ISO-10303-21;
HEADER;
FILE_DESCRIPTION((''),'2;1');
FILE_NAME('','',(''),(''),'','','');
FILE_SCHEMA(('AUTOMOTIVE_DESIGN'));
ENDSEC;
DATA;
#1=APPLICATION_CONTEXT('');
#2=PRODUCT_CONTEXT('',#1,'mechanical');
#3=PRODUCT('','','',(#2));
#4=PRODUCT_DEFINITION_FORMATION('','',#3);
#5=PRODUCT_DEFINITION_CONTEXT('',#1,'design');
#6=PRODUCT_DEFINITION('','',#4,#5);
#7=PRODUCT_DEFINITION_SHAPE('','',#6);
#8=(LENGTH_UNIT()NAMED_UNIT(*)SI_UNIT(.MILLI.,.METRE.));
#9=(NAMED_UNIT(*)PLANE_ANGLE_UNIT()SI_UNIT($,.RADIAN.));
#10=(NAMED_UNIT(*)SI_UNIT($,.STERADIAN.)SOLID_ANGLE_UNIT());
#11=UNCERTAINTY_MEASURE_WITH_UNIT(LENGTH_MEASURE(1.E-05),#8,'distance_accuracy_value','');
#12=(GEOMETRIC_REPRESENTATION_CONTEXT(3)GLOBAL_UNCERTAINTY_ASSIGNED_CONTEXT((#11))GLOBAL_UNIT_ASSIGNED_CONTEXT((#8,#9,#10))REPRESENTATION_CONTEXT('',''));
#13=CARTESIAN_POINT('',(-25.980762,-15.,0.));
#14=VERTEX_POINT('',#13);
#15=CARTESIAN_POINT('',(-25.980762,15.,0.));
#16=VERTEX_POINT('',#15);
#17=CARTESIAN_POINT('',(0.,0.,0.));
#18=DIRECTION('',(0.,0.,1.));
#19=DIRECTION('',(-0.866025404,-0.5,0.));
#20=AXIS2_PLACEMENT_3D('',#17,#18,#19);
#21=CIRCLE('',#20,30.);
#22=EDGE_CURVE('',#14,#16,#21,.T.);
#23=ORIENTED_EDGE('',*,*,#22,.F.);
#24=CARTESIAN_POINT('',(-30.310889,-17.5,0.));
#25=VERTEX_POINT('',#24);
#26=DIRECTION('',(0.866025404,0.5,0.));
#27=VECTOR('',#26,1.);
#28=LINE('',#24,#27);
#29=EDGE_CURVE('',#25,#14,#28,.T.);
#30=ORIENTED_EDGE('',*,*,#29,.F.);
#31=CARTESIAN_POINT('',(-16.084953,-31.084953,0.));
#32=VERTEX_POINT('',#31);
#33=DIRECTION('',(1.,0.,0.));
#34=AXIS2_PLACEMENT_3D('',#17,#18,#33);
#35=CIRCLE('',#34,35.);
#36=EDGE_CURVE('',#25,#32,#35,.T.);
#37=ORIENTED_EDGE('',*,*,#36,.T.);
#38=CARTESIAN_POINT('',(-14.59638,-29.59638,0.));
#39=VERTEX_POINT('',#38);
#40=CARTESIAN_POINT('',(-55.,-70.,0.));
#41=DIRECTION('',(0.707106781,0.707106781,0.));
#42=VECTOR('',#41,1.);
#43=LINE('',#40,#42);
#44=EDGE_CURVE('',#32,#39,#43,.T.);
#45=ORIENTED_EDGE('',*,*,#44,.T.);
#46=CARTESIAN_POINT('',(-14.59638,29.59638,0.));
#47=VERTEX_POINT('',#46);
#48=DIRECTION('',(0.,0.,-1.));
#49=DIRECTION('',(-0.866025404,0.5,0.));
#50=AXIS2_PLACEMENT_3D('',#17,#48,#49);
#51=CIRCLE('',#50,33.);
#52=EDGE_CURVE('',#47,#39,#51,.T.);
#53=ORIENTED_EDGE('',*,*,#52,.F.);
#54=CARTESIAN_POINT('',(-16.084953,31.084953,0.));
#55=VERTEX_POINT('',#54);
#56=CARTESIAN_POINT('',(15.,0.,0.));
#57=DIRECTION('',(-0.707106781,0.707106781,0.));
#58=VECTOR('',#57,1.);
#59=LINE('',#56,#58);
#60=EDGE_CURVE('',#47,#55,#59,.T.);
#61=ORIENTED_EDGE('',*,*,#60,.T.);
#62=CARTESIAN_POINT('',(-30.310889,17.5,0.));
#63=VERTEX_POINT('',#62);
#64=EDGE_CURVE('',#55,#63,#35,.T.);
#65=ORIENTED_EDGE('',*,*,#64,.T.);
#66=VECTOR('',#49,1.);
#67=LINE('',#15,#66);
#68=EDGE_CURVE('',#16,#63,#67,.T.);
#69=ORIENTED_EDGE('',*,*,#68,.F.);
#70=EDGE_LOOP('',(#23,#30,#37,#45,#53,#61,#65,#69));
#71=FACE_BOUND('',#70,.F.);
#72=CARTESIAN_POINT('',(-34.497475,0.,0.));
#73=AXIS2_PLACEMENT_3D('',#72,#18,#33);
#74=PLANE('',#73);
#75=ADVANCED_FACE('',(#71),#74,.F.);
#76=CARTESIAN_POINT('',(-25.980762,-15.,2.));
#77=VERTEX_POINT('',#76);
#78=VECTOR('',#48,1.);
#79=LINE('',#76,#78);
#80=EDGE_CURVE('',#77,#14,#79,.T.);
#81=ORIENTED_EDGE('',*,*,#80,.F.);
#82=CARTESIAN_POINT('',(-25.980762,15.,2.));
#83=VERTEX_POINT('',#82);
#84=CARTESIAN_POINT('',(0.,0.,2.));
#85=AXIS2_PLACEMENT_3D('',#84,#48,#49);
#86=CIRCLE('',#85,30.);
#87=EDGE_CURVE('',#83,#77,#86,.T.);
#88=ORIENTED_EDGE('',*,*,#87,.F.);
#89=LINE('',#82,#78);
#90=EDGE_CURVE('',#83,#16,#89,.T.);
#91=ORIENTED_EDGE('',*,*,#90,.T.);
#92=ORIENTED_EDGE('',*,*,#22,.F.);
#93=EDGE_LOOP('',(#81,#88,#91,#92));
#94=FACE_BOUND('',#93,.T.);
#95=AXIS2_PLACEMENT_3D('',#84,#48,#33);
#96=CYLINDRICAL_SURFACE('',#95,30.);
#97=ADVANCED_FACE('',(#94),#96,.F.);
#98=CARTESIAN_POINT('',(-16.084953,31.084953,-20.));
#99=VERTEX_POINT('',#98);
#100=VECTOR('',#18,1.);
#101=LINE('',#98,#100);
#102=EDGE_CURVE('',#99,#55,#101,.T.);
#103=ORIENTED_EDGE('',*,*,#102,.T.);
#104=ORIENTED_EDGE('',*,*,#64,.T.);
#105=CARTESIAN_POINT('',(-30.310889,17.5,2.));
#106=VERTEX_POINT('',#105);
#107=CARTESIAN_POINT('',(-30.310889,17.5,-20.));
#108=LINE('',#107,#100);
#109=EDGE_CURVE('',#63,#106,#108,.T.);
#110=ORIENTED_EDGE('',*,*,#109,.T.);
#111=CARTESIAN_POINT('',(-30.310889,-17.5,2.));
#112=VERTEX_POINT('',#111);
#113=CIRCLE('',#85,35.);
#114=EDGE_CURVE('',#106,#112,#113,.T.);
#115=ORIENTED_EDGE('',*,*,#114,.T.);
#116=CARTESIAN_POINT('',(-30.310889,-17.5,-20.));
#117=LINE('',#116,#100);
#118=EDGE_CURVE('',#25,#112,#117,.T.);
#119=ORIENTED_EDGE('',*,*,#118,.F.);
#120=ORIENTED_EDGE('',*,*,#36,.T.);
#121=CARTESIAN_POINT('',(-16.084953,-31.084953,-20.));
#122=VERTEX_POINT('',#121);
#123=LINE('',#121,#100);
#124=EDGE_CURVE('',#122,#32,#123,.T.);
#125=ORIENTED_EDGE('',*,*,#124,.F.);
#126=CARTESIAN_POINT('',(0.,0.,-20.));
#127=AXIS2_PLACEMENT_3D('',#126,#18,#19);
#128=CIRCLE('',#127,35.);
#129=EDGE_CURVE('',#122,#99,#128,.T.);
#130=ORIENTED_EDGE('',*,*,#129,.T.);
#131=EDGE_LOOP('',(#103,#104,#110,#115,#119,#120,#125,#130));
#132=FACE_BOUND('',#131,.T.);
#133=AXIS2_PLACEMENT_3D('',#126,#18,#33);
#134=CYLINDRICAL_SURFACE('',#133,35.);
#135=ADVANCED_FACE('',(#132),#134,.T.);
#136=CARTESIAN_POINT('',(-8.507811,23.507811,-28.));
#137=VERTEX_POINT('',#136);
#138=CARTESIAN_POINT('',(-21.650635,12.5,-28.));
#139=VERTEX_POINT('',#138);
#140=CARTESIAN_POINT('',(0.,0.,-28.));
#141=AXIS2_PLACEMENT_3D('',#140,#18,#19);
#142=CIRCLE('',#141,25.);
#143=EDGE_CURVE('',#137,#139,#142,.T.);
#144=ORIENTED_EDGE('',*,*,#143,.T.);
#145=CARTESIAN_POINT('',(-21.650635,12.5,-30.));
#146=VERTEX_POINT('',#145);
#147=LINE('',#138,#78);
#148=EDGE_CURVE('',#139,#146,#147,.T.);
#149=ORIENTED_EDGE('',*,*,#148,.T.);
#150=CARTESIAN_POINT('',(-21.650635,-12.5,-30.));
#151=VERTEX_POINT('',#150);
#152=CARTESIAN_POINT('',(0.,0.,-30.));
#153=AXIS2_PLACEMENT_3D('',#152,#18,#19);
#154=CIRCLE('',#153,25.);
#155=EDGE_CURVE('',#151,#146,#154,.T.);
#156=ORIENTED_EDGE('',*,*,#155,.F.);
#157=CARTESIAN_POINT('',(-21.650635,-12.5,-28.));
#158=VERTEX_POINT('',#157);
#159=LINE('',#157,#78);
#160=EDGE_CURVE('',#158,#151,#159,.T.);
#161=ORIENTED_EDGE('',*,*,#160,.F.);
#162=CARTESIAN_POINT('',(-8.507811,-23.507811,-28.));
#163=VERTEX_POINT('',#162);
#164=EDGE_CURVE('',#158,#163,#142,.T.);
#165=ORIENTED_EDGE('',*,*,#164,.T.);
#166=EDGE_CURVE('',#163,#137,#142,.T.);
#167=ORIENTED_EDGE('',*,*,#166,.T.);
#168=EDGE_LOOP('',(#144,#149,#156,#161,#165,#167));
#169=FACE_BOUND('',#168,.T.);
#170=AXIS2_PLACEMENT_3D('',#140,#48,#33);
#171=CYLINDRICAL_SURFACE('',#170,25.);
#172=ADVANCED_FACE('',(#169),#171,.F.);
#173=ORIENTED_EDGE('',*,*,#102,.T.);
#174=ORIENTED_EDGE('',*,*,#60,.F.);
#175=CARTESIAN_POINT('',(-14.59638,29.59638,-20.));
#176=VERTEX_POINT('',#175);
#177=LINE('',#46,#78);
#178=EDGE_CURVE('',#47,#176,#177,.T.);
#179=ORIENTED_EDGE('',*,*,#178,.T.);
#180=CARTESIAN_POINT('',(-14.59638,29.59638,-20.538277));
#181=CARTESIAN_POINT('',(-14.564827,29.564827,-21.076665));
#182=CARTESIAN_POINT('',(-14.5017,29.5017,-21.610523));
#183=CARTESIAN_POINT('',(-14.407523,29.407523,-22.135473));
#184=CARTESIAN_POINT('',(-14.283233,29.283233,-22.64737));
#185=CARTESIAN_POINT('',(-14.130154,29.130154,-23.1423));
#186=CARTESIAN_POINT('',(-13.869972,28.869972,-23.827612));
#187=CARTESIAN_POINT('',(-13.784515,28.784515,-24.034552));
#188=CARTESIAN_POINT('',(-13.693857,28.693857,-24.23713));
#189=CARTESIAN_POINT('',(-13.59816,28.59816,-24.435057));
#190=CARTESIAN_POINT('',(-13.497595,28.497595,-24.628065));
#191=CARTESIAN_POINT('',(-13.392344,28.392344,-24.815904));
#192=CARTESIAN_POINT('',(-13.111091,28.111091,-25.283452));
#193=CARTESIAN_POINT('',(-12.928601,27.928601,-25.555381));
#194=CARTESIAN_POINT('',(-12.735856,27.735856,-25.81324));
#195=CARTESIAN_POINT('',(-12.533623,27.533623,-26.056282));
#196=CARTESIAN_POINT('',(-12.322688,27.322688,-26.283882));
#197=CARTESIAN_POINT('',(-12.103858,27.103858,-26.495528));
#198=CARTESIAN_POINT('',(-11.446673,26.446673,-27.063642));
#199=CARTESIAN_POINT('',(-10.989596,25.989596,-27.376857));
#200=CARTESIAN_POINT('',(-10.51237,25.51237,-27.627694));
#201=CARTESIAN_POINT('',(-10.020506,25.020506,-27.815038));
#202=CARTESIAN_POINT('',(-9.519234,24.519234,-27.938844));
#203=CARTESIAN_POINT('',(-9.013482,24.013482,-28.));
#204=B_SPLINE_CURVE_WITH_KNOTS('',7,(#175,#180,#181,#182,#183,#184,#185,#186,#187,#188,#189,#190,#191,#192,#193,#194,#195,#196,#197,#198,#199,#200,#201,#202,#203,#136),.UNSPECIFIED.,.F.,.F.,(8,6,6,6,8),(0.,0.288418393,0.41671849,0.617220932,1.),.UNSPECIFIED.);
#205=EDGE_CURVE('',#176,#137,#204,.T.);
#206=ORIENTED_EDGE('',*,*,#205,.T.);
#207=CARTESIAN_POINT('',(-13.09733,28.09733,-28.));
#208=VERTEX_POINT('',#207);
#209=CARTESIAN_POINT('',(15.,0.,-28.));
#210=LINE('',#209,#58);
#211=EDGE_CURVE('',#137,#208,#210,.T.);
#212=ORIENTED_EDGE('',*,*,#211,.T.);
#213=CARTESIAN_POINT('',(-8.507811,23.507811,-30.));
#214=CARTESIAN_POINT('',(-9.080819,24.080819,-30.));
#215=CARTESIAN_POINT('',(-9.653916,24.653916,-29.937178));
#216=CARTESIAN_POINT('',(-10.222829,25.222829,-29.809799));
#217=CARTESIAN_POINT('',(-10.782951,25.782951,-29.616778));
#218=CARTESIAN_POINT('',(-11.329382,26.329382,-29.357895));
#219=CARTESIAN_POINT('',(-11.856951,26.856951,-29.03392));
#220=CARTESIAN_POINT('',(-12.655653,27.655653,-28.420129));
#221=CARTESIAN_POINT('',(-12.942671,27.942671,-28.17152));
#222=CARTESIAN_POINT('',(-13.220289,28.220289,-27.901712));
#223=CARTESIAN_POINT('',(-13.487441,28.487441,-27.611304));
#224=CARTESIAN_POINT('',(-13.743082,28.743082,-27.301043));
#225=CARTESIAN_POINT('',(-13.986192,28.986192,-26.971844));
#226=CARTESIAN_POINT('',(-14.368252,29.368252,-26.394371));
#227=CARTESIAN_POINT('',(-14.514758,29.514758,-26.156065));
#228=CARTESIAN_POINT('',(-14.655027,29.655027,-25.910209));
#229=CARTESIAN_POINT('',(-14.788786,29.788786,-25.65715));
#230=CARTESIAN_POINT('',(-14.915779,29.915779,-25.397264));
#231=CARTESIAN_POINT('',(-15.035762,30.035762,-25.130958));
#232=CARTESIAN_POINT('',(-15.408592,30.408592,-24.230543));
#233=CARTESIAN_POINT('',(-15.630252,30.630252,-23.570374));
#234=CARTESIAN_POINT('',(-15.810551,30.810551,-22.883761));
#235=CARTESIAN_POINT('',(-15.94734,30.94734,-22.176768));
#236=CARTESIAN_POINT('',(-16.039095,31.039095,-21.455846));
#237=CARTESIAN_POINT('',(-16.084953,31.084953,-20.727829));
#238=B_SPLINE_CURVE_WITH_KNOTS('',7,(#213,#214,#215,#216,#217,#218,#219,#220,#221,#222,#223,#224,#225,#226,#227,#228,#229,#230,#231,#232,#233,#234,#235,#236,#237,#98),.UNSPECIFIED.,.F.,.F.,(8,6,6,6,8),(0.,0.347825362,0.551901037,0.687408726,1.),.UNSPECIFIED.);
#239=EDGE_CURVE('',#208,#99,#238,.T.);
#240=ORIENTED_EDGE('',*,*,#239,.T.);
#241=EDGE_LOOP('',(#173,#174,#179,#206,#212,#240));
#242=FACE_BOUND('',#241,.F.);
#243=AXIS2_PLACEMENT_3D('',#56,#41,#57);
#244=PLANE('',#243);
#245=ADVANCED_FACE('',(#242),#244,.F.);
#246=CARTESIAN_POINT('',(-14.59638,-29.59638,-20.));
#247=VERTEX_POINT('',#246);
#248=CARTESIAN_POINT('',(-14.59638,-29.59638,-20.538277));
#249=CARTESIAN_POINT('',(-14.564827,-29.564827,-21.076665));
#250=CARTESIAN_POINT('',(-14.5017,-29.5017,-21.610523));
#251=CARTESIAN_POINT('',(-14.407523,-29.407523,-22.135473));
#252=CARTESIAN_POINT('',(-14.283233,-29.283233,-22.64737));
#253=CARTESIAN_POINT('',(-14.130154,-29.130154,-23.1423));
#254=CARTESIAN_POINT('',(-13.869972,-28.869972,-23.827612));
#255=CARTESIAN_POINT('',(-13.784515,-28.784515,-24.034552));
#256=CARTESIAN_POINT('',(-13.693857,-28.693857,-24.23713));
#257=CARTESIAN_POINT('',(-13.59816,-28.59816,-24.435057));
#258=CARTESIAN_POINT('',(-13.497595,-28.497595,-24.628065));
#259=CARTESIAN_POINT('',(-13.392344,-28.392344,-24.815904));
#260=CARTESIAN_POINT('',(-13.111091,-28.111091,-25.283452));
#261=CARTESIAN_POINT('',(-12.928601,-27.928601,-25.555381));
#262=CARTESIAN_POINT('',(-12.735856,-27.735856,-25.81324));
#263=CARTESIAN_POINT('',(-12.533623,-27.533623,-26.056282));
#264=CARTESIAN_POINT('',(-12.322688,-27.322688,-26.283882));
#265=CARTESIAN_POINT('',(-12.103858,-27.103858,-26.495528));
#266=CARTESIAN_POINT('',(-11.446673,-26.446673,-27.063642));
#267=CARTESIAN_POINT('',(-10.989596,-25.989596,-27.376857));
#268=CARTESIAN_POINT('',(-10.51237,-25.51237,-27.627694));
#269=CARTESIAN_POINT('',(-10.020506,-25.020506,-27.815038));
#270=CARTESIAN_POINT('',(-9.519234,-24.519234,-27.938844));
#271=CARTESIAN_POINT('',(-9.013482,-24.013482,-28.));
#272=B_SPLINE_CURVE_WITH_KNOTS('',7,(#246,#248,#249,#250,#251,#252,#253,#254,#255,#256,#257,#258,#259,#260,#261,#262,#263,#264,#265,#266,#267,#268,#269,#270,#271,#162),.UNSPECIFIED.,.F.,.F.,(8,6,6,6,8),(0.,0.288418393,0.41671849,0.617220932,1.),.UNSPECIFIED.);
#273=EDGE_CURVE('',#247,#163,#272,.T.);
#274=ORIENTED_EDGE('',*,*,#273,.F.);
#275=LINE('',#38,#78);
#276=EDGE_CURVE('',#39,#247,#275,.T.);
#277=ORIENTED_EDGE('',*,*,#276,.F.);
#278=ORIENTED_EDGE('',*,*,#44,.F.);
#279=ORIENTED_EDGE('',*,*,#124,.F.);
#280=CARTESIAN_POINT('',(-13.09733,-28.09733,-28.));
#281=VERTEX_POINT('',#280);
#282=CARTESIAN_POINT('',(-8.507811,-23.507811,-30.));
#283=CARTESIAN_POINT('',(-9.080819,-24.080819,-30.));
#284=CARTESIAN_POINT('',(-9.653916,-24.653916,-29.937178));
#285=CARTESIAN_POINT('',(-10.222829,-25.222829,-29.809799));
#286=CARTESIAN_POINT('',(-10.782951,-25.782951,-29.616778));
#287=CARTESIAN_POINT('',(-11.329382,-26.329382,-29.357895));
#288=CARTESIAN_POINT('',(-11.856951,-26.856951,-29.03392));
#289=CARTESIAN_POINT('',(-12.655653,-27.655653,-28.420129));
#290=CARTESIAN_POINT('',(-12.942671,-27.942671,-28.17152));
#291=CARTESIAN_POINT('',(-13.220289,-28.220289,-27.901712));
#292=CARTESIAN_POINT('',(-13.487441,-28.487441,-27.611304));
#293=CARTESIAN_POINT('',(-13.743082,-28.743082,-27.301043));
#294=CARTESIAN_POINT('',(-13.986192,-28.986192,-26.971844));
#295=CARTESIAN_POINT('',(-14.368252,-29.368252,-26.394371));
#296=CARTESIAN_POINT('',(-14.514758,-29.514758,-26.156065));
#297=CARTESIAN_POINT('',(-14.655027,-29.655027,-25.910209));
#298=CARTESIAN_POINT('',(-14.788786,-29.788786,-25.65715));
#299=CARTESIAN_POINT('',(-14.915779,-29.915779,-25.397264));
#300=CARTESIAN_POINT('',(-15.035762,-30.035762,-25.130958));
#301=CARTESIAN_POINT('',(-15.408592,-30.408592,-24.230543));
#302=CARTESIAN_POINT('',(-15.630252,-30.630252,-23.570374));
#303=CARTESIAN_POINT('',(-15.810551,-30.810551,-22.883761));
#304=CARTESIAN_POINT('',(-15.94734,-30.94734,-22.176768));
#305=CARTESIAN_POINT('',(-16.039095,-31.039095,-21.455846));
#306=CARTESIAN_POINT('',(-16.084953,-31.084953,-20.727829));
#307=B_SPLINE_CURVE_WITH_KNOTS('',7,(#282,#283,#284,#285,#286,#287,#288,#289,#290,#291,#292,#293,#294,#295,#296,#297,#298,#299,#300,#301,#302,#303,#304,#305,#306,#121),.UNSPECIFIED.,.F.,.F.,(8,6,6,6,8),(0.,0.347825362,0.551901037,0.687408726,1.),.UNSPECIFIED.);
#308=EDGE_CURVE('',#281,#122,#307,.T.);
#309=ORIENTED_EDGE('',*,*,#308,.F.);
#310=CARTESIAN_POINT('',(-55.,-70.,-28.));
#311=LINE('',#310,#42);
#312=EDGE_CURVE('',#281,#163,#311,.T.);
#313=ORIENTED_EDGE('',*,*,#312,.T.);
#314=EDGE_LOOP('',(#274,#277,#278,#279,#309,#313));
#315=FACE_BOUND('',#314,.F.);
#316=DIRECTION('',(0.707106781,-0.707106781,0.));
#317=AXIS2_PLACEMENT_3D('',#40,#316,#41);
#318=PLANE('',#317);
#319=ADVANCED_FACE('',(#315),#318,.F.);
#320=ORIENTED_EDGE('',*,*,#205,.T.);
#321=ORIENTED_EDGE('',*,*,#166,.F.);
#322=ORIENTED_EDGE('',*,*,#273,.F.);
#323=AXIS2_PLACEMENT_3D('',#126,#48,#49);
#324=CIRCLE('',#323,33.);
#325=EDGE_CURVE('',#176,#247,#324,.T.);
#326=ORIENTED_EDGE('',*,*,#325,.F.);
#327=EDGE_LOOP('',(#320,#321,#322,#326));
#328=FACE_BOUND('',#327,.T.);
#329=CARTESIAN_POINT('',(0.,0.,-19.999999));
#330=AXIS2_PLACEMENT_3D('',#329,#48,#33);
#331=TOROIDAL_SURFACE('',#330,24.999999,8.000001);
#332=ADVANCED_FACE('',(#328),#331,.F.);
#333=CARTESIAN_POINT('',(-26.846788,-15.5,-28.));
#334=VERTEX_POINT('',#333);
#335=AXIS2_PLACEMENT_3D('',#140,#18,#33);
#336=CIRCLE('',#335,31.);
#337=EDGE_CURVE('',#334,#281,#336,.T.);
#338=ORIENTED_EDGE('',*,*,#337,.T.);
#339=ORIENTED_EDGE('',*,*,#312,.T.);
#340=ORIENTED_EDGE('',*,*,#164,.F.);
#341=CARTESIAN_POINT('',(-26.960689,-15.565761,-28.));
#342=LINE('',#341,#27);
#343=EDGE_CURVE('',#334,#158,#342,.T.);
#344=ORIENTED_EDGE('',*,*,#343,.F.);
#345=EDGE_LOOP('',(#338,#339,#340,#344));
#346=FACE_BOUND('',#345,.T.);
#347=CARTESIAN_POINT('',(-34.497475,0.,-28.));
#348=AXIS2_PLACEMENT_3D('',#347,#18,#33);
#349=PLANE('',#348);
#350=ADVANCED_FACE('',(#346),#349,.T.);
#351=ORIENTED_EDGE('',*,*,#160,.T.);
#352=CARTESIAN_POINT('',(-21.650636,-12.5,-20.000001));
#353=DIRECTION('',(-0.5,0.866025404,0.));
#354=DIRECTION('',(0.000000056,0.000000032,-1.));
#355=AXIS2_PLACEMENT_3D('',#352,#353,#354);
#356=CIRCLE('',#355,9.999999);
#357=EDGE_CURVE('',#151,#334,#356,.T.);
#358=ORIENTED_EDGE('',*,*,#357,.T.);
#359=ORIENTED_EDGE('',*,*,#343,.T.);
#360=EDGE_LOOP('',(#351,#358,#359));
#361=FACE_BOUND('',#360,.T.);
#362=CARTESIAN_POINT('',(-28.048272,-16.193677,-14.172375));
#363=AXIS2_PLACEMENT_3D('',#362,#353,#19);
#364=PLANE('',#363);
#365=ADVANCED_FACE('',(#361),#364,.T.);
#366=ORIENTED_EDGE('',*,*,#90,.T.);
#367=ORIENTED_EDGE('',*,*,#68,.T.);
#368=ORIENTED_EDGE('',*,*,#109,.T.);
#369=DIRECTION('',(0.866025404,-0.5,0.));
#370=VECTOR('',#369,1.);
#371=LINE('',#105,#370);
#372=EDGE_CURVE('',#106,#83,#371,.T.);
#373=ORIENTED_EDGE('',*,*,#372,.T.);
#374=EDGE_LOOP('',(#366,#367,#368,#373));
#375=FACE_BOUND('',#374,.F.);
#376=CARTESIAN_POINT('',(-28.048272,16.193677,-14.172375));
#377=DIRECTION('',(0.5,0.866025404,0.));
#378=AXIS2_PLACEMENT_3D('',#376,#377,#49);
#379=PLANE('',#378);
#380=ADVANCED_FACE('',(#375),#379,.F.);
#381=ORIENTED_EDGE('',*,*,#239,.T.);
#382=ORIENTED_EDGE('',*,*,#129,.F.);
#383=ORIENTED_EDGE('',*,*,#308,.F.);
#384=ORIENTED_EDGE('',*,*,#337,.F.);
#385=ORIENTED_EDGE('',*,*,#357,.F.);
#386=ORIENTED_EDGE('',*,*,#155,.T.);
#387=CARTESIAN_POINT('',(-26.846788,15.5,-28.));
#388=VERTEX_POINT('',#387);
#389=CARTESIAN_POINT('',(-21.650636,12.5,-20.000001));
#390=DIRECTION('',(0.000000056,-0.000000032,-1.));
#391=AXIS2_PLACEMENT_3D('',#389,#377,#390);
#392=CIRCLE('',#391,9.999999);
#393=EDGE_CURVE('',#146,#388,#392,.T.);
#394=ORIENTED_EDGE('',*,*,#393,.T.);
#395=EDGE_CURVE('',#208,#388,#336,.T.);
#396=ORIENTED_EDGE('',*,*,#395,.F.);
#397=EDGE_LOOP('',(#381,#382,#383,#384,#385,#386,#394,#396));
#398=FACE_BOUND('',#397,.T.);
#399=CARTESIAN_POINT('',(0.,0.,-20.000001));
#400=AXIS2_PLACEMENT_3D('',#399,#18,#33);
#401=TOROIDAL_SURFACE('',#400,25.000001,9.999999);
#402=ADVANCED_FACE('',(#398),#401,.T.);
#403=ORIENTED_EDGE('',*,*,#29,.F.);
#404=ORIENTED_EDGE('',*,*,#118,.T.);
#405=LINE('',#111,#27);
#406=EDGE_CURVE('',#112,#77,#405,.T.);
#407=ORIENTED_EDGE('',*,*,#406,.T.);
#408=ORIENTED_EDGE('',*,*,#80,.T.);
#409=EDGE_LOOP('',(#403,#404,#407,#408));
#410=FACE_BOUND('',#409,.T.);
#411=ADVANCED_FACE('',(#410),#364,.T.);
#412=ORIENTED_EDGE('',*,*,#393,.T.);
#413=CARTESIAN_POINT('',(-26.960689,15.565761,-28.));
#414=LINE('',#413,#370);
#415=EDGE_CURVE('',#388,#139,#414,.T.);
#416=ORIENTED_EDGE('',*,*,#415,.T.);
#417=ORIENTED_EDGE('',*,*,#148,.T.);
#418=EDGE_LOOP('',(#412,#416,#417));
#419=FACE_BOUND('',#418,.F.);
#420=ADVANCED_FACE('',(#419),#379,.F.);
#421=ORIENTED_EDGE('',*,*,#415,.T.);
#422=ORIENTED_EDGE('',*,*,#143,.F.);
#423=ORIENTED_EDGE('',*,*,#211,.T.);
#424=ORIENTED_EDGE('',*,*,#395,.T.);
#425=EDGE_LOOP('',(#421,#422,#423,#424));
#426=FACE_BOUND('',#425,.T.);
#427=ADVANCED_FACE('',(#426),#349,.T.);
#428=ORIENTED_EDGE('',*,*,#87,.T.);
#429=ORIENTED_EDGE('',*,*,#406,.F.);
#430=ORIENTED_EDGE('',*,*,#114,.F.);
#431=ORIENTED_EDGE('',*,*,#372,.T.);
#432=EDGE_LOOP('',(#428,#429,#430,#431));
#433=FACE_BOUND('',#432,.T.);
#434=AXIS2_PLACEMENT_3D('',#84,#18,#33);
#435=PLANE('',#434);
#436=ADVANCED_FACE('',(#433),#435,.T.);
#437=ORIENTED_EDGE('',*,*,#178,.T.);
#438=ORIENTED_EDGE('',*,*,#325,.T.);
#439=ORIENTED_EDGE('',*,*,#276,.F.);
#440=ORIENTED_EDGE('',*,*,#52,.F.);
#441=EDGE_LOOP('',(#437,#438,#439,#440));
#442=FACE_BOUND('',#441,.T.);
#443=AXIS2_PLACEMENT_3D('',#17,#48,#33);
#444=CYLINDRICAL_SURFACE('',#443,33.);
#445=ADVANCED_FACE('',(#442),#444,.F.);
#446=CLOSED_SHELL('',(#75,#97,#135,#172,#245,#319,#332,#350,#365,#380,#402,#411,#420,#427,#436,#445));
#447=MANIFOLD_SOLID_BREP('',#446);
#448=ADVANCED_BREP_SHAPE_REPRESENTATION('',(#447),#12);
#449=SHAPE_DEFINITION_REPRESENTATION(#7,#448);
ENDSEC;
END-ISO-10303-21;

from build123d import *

# Parameters (mm, degrees)
F1_ANGLE = 300
F3_DEPTH = 28


with BuildPart() as f1:
    # F0 (on Front) → F1 (revolve, symmetric)
    with BuildSketch(Plane.XZ) as f1_sk:
        with BuildLine():
            Line((35, -20), (35, 0))
            Line((35, 0), (35, 2))
            Line((35, 2), (30, 2))
            Line((30, 2), (30, 0))
            Line((30, 0), (33, 0))
            Line((33, 0), (33, -20))
            ThreePointArc((33, -20), (30.656854, -25.656854), (25, -28))
            Line((25, -28), (25, -30))
            ThreePointArc((25, -30), (32.071068, -27.071068), (35, -20))
        make_face()
    revolve(axis=Axis((0, 0, -15), (0, 0, -1)), revolution_arc=F1_ANGLE / 2)
    revolve(f1_sk.sketch, axis=Axis((0, 0, -15), (0, 0, 1)), revolution_arc=F1_ANGLE / 2)

    # F2 (on Top) → F3 (cut)
    with BuildSketch(Plane.XY):
        Polygon((-55, -70), (15, 0), (-55, 70), (-55, 0), align=None)
    extrude(amount=-F3_DEPTH, mode=Mode.SUBTRACT)


solid = f1.part
